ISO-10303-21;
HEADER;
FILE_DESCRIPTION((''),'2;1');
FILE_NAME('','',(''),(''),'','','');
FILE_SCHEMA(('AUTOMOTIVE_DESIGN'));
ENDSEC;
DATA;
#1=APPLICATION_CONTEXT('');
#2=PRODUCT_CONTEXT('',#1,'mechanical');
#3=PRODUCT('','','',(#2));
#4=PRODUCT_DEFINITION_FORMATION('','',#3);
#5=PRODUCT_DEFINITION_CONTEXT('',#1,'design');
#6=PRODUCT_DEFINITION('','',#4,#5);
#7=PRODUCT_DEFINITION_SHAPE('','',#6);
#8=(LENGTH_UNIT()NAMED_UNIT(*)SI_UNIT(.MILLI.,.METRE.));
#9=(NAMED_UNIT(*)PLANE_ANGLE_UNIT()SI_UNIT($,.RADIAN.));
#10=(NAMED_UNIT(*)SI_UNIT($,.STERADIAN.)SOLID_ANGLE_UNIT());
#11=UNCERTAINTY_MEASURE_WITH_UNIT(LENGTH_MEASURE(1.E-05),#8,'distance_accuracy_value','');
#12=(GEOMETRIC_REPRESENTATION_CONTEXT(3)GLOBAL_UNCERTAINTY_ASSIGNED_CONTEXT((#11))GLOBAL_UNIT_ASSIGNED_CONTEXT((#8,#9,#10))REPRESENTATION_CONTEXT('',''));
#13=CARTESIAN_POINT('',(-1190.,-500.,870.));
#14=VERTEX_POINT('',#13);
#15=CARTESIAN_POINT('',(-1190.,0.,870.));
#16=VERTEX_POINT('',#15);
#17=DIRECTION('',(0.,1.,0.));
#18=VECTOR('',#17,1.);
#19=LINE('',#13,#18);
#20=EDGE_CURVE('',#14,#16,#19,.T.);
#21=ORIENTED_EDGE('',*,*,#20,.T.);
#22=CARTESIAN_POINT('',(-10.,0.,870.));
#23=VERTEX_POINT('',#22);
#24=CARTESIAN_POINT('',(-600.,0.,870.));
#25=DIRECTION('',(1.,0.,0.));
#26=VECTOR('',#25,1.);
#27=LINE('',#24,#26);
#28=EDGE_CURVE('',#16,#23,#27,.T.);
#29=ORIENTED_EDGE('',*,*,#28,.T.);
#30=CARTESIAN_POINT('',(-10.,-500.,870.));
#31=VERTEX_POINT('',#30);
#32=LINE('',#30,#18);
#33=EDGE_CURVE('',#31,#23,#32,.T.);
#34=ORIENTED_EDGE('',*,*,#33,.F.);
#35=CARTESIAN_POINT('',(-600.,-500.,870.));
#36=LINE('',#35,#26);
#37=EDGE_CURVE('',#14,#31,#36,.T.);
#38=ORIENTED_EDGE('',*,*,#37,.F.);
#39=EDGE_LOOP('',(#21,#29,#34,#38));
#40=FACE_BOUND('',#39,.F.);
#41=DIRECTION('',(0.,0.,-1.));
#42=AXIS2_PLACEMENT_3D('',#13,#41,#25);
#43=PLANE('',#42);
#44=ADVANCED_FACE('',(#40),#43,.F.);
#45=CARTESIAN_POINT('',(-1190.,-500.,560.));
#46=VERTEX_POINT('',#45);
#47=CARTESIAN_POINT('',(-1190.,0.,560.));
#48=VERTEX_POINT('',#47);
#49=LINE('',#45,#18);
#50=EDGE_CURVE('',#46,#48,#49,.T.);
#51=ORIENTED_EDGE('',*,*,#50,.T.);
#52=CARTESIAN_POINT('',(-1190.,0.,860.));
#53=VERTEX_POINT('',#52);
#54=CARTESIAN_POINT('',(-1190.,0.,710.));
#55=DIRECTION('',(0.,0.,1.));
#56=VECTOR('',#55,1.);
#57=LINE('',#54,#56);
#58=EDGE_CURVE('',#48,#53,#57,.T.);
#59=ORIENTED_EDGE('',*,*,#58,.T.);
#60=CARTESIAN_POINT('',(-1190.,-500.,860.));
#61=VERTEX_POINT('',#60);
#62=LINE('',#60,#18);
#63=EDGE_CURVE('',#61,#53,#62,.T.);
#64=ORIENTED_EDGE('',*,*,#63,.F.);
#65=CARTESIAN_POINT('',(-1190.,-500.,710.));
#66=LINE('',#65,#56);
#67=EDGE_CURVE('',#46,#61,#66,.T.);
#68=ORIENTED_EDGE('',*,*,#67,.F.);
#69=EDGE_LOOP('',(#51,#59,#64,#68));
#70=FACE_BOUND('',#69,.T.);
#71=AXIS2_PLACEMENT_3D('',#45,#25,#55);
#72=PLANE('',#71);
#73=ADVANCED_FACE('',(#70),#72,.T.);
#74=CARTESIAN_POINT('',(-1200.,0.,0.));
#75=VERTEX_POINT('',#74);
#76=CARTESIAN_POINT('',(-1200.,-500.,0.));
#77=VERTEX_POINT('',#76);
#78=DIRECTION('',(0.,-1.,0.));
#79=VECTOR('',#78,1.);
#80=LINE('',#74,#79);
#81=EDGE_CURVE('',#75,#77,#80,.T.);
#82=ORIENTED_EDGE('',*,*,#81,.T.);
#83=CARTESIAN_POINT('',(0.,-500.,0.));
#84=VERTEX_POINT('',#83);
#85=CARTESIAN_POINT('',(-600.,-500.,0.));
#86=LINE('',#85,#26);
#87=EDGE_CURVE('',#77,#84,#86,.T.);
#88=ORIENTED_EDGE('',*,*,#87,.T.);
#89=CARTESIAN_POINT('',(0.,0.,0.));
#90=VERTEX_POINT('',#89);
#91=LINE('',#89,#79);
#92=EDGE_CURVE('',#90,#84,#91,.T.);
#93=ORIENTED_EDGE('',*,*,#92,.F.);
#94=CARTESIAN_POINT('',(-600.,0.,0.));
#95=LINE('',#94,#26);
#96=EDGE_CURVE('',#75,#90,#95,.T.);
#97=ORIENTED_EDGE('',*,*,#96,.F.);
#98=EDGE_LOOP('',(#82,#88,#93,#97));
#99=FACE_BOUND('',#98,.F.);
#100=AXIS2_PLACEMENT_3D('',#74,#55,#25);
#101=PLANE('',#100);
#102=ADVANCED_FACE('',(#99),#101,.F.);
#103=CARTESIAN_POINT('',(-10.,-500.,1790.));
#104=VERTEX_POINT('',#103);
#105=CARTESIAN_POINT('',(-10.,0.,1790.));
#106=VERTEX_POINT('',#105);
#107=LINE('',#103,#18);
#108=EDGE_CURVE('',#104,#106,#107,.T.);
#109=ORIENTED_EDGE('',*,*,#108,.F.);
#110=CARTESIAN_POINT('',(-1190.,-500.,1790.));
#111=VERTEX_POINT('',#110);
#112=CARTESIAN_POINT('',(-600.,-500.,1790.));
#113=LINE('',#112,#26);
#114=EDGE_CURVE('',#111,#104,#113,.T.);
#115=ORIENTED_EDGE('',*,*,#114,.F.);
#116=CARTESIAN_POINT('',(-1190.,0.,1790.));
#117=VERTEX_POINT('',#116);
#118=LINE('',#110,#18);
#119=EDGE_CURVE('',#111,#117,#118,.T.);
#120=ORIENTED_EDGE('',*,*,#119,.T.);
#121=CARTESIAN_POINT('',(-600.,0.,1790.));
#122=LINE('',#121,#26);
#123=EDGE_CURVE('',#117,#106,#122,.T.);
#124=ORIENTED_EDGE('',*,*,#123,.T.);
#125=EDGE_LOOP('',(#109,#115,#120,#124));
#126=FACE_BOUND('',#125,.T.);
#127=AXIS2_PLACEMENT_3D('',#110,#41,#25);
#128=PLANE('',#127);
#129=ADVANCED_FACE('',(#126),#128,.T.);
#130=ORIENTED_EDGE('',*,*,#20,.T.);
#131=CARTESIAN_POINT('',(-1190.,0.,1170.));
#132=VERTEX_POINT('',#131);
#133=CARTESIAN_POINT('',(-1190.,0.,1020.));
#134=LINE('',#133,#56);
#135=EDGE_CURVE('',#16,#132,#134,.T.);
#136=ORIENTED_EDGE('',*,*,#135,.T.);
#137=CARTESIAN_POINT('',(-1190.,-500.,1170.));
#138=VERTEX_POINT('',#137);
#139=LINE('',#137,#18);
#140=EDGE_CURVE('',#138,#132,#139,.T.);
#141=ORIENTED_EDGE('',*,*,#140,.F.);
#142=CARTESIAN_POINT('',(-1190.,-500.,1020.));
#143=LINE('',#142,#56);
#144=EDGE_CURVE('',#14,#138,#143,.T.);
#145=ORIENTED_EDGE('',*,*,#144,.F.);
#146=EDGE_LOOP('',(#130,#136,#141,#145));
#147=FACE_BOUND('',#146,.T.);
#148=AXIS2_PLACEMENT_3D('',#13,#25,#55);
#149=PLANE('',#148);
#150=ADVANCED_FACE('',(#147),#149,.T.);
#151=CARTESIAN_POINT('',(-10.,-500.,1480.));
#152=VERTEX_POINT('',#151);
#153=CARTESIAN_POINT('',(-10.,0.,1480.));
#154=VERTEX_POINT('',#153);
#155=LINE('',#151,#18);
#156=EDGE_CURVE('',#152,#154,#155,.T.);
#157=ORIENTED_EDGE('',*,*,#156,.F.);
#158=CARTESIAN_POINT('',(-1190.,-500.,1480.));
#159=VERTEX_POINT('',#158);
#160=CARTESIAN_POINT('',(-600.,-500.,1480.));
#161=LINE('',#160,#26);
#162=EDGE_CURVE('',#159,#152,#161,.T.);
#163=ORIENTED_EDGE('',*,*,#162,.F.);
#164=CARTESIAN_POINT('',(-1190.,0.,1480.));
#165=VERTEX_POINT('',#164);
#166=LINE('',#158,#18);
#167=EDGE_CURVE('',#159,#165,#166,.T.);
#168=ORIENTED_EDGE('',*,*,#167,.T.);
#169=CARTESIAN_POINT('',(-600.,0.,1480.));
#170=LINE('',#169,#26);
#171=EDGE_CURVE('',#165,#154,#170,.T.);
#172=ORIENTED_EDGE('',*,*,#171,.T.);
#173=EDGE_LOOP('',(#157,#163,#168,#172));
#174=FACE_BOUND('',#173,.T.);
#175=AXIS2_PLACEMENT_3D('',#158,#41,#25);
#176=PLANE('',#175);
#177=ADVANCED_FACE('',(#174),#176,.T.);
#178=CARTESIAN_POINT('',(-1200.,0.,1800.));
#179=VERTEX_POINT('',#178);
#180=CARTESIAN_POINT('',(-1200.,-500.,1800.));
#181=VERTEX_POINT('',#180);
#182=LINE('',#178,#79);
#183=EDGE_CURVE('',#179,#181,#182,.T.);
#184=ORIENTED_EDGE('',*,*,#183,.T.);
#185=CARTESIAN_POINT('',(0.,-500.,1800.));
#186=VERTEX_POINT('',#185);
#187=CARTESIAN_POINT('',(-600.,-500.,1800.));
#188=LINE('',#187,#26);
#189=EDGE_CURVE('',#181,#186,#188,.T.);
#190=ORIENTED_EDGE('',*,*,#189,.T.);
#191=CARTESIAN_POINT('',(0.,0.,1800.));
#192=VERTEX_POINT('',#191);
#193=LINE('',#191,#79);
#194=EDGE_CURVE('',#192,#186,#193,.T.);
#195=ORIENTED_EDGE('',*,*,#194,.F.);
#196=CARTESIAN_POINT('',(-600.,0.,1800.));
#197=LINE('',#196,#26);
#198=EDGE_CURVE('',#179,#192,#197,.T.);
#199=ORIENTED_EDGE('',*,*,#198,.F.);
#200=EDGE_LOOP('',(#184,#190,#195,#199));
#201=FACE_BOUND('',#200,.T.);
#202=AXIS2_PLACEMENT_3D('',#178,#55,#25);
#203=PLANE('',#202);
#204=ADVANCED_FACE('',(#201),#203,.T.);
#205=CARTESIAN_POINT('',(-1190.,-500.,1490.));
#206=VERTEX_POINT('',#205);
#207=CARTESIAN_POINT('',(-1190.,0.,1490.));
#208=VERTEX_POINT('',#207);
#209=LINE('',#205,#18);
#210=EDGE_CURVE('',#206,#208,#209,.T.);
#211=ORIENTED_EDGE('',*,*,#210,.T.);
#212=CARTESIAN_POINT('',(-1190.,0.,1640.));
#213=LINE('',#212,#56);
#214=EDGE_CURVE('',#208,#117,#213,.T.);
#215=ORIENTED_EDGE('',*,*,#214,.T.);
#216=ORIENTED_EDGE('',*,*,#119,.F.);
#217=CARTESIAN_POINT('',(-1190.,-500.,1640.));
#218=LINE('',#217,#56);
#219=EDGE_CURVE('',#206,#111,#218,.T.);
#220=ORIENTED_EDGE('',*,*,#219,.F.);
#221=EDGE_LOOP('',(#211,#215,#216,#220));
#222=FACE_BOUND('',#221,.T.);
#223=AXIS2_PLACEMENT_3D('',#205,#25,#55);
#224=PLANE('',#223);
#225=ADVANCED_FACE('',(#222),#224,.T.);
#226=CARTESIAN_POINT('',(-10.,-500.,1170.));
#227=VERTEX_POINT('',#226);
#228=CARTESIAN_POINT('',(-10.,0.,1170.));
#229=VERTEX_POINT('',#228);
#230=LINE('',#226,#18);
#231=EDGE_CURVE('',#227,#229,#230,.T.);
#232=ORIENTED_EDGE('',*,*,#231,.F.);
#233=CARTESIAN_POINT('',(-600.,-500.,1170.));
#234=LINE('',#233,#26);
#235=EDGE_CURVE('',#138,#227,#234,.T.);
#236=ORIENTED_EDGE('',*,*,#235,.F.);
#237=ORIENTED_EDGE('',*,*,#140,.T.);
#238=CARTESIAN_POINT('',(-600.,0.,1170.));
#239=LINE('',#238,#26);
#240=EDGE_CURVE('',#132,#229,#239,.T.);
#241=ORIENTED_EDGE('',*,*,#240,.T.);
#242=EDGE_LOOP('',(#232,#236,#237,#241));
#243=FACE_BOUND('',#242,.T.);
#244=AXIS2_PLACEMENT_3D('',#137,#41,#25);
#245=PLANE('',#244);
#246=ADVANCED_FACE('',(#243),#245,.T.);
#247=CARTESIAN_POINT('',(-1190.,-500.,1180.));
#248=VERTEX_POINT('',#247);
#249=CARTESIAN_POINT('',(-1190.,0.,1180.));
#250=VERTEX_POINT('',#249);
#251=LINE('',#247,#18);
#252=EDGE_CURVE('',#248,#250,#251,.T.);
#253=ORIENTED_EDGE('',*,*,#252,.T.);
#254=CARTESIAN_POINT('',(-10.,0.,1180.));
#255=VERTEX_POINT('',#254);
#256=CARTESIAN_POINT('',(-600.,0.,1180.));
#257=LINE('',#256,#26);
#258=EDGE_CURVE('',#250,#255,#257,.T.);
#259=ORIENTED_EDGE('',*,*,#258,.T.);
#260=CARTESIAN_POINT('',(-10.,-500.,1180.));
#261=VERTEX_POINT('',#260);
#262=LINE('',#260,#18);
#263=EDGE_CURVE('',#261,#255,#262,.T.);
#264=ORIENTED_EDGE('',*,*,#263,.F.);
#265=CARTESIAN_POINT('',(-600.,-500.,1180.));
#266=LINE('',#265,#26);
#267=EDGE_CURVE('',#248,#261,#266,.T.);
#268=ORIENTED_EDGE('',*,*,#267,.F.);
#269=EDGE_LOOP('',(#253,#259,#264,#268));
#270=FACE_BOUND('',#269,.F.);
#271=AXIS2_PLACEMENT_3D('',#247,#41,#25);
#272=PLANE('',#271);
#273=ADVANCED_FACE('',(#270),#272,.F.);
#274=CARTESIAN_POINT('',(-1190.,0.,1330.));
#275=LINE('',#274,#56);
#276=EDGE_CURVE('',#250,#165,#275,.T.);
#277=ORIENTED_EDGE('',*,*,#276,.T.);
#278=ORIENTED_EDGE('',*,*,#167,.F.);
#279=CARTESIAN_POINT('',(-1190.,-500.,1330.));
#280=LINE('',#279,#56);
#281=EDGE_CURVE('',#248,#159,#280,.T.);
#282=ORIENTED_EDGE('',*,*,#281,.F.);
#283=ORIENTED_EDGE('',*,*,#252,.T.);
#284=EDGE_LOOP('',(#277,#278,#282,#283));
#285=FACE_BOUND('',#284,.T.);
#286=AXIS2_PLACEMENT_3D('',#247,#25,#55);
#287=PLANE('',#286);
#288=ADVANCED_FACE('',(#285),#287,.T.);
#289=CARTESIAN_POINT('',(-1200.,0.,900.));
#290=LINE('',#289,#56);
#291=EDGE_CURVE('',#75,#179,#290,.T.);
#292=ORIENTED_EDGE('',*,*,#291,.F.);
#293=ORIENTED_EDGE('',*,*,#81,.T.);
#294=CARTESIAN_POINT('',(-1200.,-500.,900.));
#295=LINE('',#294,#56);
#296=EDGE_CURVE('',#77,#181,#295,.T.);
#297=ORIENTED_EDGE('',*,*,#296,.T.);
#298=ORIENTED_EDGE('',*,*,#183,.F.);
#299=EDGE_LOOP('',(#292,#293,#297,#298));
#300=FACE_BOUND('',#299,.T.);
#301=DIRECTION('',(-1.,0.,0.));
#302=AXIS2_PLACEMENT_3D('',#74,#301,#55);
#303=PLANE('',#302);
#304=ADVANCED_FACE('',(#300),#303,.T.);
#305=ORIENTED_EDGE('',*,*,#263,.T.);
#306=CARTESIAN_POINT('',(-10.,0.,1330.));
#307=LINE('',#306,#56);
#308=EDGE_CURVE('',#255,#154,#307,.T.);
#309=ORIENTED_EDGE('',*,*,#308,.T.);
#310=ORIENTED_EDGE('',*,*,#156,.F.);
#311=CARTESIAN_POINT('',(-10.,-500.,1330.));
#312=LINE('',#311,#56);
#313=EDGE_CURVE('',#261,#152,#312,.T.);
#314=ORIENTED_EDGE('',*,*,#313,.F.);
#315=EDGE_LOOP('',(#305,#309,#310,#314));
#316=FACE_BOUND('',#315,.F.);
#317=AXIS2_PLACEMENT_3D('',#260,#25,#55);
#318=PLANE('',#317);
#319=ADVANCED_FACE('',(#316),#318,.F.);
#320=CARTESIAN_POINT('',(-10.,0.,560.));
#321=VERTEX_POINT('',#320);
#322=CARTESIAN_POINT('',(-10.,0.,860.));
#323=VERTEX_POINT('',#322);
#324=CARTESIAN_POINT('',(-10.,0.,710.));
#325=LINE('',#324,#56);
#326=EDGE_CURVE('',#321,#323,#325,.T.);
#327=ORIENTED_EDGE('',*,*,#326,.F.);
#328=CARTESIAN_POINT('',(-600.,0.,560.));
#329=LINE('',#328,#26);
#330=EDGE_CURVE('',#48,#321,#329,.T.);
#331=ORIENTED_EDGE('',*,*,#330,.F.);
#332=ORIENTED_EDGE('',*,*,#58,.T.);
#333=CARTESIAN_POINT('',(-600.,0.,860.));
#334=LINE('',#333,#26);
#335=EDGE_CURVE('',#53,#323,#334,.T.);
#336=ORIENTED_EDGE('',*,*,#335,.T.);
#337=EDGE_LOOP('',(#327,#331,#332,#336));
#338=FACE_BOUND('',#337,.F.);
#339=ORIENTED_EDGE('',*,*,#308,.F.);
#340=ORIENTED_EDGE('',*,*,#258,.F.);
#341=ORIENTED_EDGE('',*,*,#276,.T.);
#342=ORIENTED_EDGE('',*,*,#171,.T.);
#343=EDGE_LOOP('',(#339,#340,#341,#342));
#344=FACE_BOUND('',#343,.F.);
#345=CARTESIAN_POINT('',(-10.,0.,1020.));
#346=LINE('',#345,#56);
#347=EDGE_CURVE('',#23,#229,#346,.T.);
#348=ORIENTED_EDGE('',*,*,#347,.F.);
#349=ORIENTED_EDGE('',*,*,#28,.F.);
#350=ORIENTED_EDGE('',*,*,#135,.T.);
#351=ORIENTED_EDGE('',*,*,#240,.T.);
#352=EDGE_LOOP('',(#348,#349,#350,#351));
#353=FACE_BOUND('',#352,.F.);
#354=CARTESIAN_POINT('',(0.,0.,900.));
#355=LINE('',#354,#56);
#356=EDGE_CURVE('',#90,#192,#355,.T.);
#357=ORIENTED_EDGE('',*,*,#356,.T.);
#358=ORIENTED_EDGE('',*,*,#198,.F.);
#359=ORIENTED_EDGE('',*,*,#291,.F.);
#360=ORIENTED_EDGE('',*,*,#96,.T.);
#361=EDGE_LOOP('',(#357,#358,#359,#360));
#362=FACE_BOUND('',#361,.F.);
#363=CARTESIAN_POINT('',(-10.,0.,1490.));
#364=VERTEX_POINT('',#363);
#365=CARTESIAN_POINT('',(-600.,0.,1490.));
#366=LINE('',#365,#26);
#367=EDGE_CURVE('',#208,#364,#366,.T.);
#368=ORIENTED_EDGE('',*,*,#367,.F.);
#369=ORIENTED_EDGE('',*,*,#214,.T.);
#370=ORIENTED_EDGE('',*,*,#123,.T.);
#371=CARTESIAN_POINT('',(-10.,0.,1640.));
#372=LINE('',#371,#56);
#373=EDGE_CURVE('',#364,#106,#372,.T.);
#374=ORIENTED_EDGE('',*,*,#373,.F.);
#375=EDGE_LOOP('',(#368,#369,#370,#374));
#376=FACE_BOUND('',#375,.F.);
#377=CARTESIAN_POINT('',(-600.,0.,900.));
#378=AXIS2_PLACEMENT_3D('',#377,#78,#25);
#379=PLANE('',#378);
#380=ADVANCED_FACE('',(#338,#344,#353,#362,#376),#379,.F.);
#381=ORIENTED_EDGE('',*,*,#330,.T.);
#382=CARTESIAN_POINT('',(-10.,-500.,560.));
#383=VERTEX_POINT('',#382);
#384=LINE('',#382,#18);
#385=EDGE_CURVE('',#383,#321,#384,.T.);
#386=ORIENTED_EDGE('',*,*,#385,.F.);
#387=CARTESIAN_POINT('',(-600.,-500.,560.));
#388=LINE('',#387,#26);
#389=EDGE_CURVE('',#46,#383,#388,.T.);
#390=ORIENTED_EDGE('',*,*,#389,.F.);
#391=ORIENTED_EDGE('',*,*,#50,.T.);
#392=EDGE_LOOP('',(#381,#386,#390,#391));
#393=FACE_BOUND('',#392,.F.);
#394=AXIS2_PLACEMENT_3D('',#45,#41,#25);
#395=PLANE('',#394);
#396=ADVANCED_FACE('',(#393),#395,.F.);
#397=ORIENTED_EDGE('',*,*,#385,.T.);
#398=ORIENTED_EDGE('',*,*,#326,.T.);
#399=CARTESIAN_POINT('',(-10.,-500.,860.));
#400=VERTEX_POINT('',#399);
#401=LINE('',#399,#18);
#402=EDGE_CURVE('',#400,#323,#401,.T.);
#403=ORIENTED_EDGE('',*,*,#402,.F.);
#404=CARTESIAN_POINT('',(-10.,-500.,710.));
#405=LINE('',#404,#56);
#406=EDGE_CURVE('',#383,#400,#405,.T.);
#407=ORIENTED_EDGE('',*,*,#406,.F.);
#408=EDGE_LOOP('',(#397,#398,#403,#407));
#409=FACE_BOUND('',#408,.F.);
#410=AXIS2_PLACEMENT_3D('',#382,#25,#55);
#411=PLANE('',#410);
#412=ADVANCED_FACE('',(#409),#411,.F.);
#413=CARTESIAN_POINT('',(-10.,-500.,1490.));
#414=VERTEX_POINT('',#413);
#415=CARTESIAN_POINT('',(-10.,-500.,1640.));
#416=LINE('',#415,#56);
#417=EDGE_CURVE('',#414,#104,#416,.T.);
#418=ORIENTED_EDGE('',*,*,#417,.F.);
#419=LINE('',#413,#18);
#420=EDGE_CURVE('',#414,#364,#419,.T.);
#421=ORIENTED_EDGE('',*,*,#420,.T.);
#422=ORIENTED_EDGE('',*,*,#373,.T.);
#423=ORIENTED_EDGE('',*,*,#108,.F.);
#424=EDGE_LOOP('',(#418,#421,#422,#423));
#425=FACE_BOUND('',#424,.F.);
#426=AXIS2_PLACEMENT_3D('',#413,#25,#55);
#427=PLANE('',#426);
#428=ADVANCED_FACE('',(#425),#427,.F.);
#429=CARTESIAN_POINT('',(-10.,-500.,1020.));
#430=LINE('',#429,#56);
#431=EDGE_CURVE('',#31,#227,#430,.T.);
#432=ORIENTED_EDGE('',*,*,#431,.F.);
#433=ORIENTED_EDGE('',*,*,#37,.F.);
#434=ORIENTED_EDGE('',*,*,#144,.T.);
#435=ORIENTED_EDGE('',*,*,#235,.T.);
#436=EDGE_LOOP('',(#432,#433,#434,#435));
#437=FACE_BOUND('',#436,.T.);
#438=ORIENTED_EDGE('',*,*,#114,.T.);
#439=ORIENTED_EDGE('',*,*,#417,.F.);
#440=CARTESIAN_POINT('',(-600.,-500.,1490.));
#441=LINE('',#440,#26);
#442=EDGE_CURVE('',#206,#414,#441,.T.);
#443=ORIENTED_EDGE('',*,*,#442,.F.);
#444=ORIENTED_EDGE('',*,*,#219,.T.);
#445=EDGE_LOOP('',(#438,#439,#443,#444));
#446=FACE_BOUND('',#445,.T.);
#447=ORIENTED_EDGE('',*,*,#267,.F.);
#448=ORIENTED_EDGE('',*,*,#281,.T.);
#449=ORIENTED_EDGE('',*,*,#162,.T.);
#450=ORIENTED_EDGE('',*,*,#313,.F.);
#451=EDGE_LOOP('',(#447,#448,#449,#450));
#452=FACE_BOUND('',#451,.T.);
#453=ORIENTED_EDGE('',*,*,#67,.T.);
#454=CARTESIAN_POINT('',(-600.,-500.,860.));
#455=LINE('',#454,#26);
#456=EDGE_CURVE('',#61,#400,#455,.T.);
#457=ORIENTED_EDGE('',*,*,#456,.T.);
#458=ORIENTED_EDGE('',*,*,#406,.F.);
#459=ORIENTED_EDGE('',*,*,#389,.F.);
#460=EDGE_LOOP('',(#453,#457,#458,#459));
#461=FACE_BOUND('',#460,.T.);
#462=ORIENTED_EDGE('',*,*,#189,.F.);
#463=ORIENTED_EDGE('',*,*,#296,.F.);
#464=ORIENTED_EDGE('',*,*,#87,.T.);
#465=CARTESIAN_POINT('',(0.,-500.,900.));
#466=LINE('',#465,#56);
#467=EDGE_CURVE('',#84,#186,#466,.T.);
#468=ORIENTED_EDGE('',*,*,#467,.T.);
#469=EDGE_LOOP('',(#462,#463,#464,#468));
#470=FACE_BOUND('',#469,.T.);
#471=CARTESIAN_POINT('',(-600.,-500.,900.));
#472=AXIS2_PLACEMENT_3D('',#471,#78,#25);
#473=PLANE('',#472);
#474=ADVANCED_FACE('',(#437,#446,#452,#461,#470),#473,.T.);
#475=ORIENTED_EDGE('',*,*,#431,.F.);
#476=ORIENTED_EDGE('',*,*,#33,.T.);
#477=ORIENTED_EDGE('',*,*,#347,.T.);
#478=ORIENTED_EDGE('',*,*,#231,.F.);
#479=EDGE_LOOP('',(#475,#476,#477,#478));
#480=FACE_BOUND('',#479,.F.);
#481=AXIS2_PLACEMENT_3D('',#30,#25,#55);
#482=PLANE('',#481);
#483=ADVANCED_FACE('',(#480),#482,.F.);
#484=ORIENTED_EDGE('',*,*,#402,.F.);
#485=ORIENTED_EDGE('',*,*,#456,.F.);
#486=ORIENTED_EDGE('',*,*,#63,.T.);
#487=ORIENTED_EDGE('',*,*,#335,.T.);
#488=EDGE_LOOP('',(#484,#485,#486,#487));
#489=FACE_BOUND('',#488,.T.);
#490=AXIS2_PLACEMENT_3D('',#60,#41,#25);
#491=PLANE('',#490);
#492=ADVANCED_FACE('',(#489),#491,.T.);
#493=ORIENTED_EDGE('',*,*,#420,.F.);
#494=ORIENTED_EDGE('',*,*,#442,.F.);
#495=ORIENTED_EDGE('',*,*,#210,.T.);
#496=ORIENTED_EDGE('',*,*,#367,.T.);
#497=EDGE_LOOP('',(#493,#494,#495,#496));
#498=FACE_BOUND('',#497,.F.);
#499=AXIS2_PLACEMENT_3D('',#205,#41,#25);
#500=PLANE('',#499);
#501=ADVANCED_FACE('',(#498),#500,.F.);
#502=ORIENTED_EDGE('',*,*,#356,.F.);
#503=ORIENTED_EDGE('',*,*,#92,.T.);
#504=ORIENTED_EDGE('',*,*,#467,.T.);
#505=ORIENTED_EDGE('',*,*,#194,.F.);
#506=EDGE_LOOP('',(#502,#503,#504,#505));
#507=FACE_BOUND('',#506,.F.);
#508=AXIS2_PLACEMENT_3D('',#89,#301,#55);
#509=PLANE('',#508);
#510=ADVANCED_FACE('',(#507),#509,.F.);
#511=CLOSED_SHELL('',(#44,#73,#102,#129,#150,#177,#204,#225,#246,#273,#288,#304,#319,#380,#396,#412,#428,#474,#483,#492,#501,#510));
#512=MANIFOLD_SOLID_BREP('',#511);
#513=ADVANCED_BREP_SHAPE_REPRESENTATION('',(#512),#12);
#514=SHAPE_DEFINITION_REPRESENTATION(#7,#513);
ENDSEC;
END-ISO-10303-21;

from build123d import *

# Parameters (mm, degrees)
F0_W     = 1200
F0_H     = 1800
F1_DEPTH = 500
F2_W     = 1180
F2_H     = 300
F3_DEPTH = 500


with BuildPart() as f1:
    # F0 (on Front) → F1 (new body)
    with BuildSketch(Plane.XZ):
        with Locations((-600, 900)):
            Rectangle(F0_W, F0_H)
    extrude(amount=F1_DEPTH)

    # F2 (on face) → F3 (cut, through all)
    with BuildSketch(Plane.XZ.offset(500)):
        with Locations((-600, 1640)):
            Rectangle(F2_W, F2_H)
        with Locations((-600, 1330)):
            Rectangle(F2_W, F2_H)
        with Locations((-600, 1020)):
            Rectangle(F2_W, F2_H)
        with Locations((-600, 710)):
            Rectangle(F2_W, F2_H)
    extrude(amount=-F3_DEPTH, mode=Mode.SUBTRACT)


solid = f1.part
